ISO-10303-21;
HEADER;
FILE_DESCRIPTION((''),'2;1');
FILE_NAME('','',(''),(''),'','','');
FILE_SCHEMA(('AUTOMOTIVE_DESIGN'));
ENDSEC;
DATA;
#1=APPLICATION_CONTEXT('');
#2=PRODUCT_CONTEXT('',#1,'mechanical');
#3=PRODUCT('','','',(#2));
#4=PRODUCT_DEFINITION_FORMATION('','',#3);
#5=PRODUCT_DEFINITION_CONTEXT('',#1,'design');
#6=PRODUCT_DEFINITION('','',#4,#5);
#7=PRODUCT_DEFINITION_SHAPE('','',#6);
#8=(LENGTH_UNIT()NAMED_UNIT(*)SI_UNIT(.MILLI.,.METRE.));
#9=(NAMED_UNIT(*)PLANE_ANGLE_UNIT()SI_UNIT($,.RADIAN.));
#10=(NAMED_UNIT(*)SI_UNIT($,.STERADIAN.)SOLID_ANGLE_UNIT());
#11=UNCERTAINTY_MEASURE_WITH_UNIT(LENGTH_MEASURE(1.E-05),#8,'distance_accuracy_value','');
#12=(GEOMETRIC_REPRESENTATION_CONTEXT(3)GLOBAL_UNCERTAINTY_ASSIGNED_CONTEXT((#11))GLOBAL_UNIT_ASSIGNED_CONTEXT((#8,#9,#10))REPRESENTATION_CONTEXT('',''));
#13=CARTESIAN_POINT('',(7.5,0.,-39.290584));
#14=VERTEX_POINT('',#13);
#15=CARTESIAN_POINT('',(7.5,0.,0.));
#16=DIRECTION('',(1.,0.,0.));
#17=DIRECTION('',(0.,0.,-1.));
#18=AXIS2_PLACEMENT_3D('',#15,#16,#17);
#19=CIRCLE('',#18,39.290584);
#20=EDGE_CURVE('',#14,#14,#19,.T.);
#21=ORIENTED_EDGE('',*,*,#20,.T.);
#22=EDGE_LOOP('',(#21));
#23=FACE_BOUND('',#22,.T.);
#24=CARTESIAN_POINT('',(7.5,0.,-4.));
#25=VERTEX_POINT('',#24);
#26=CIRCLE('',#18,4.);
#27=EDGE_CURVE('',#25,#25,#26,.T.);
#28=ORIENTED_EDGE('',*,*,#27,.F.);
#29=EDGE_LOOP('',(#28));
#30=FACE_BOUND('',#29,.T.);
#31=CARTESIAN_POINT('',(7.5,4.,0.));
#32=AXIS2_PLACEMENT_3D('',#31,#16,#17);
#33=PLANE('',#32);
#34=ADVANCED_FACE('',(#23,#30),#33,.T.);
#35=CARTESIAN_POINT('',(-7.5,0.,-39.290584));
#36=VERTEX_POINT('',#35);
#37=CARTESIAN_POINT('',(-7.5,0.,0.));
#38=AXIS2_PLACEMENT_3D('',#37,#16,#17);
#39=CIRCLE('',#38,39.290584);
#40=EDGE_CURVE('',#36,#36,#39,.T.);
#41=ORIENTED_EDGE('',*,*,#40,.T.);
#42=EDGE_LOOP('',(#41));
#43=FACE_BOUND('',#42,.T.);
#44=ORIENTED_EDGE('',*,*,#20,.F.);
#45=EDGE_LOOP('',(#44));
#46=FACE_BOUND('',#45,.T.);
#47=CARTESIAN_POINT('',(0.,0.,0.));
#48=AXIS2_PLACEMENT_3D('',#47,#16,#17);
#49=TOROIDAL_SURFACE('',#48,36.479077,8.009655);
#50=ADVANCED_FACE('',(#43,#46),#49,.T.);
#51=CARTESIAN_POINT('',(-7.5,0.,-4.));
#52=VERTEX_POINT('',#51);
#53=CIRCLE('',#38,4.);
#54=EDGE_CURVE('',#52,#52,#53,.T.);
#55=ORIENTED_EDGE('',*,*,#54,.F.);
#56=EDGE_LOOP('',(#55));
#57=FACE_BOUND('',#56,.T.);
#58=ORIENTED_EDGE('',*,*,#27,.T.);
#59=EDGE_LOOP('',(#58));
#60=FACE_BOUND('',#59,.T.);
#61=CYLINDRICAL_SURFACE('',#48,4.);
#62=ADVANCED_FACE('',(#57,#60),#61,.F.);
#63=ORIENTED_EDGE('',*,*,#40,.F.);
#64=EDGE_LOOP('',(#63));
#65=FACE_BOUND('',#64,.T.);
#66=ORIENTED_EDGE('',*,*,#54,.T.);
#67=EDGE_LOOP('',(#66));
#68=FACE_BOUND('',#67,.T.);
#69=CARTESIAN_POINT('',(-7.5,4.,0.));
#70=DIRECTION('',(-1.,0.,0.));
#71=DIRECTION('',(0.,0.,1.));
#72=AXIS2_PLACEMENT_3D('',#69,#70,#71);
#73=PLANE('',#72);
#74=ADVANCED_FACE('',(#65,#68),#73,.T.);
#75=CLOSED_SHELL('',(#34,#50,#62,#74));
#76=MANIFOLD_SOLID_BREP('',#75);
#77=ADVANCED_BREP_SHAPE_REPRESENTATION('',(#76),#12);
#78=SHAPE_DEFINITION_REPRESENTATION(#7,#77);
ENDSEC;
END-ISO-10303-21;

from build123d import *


with BuildPart() as part:
    # Esquisse2 → Révolution1 (revolve)
    with BuildSketch(Plane.XY):
        with BuildLine():
            Line((-7.5, 4), (-7.5, 39.290584114))
            ThreePointArc((-7.5, 39.290584114), (0, 44.488732048), (7.5, 39.290584114))
            Line((7.5, 39.290584114), (7.5, 4))
            Line((7.5, 4), (-7.5, 4))
        make_face()
    revolve(axis=Axis((0, 0, 0), (-1, 0, 0)))


solid = part.part
